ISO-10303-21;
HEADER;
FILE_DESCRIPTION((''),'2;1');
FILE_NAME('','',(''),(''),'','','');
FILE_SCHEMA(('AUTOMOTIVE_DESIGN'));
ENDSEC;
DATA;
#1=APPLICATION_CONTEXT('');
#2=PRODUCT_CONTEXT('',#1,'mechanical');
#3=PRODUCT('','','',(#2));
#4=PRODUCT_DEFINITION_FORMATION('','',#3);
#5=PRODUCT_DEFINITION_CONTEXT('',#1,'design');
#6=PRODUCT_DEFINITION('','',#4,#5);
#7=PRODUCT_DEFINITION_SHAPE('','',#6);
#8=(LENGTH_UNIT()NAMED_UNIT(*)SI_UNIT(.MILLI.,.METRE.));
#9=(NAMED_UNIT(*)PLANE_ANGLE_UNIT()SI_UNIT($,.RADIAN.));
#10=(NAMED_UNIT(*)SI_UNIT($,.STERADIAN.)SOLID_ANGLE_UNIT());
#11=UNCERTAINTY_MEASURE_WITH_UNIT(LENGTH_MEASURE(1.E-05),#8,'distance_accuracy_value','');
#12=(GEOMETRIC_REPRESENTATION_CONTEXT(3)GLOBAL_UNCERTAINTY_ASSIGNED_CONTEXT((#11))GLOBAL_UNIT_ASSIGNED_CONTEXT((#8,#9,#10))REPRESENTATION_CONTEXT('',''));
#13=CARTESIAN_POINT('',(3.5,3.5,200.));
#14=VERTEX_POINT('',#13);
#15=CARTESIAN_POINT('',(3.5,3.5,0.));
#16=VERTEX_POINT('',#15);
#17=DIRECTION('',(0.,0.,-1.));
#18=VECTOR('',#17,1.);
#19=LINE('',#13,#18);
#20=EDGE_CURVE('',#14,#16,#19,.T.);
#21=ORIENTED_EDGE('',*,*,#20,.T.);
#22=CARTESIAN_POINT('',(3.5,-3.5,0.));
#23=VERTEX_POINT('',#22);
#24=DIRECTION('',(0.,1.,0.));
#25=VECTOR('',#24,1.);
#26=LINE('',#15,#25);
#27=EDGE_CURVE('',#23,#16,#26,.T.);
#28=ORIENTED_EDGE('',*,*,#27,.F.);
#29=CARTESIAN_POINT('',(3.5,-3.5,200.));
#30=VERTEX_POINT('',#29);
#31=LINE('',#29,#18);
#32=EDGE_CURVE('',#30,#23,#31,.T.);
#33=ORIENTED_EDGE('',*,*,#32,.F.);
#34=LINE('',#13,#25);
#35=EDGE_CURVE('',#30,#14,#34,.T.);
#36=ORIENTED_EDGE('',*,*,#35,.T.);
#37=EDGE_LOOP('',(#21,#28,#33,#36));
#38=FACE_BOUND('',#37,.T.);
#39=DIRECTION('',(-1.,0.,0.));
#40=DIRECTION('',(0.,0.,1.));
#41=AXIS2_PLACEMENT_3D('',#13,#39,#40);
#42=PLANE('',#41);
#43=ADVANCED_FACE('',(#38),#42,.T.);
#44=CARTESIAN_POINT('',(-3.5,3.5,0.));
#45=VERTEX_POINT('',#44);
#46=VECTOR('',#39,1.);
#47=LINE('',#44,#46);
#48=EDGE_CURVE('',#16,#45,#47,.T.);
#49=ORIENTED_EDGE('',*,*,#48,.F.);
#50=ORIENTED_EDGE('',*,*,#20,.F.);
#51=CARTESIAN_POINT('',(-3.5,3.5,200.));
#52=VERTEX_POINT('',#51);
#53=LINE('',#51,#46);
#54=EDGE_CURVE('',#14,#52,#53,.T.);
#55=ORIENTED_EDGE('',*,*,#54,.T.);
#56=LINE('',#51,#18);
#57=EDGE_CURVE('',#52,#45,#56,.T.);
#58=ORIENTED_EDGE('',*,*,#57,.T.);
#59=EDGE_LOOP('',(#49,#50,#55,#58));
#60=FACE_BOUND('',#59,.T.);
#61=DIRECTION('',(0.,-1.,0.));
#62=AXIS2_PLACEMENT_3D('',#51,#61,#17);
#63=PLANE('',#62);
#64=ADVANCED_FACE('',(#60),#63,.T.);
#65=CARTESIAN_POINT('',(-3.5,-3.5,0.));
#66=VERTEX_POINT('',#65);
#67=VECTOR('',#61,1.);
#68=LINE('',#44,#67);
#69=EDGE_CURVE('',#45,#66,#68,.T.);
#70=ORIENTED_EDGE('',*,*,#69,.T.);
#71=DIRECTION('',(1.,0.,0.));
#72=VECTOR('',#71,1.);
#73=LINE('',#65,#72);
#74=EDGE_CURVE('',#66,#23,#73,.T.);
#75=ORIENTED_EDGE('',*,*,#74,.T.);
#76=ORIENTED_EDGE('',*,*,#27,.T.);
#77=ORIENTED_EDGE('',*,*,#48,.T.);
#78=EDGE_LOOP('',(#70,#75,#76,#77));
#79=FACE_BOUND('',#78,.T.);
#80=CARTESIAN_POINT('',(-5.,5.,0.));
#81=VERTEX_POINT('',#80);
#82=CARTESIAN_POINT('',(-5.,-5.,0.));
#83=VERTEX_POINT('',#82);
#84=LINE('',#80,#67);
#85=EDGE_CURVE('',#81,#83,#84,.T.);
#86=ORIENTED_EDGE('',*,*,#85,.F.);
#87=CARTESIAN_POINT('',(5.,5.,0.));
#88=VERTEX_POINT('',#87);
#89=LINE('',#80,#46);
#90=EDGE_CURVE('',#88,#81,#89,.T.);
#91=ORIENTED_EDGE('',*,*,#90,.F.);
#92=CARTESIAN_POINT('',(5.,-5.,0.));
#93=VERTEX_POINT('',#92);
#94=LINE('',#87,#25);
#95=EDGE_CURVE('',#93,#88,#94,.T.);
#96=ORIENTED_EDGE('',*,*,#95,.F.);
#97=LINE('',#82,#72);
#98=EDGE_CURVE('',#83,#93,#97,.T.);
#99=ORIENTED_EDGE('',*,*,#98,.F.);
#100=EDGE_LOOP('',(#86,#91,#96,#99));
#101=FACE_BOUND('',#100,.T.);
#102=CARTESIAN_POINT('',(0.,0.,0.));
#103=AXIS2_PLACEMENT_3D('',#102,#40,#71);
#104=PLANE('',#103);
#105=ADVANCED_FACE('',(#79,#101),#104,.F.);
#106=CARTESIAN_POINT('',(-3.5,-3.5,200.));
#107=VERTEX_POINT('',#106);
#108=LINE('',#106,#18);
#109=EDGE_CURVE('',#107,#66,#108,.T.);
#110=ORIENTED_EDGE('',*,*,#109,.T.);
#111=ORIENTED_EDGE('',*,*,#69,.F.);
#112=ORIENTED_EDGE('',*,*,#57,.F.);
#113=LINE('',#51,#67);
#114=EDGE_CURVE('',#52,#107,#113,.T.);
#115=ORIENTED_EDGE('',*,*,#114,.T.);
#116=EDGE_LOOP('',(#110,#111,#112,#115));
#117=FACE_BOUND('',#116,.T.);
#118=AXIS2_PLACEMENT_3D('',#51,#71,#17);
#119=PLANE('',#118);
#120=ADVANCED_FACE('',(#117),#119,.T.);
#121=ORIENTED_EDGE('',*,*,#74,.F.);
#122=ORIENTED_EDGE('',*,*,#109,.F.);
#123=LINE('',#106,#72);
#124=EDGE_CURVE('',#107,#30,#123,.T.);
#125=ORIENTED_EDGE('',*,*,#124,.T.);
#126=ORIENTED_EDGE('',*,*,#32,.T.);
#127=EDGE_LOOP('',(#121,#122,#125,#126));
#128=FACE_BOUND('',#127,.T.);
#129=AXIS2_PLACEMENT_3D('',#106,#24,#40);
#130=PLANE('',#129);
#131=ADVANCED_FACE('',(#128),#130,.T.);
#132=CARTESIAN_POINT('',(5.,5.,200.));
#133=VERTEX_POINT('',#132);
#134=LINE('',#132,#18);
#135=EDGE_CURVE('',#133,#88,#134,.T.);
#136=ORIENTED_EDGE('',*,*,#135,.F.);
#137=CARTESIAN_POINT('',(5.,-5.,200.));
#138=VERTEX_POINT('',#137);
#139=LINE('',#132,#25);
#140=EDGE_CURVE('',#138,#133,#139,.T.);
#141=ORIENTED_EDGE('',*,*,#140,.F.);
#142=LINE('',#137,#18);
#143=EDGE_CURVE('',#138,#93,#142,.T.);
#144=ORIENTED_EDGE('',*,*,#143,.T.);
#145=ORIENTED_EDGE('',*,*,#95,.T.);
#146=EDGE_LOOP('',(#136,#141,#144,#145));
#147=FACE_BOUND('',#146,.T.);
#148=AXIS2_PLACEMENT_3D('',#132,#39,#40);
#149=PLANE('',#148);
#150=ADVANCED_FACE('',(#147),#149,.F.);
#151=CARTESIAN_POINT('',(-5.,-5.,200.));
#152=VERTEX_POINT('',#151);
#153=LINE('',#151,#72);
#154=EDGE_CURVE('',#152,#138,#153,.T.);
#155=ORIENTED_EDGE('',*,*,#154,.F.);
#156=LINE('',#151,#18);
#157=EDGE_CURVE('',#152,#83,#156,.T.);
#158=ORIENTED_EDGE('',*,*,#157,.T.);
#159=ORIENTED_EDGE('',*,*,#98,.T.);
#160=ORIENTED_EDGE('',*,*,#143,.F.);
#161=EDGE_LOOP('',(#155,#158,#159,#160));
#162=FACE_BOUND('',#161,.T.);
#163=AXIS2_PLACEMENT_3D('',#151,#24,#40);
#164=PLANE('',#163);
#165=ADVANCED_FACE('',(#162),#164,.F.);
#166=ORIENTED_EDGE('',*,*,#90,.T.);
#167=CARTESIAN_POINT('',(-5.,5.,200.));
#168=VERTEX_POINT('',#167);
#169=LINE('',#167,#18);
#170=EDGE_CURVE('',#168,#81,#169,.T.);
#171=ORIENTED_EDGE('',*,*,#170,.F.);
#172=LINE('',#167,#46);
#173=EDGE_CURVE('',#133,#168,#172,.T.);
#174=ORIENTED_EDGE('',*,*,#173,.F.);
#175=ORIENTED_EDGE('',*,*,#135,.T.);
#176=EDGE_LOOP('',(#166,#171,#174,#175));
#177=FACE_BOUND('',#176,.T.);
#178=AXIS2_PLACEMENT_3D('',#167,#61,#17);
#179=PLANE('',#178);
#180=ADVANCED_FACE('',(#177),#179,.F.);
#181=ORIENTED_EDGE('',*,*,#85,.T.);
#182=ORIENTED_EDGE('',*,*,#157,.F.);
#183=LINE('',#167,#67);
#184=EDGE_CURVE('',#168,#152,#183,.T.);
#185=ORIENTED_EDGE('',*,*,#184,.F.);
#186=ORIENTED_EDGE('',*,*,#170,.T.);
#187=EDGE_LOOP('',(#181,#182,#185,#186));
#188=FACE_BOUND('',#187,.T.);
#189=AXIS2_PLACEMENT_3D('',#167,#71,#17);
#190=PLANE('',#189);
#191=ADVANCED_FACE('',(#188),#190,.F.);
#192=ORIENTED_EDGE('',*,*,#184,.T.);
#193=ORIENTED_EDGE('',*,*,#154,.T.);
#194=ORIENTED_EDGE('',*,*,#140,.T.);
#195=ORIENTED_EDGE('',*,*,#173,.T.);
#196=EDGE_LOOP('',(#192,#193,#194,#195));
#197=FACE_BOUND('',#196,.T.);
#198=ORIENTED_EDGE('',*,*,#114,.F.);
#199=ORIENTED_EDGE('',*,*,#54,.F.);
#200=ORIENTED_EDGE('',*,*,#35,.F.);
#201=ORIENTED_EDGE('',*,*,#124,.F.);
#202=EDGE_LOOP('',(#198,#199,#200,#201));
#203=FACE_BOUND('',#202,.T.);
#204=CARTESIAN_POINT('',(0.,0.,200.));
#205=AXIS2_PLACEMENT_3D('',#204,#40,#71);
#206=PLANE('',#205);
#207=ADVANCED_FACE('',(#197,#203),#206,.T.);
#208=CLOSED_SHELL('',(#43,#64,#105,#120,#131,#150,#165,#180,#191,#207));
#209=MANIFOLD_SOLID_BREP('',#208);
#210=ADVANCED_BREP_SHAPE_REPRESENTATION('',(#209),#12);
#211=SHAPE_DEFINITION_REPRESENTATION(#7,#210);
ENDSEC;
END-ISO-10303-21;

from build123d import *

# Parameters (mm, degrees)
SKETCH_1_W      = 10
SKETCH_1_H      = 10
SKETCH_1_W_2    = 7
SKETCH_1_H_2    = 7
EXTRUDE_1_DEPTH = 200


with BuildPart() as part:
    # 草图1 → 凸台-拉伸1 (new body)
    with BuildSketch(Plane.XY):
        Rectangle(SKETCH_1_W, SKETCH_1_H)
        Rectangle(SKETCH_1_W_2, SKETCH_1_H_2, mode=Mode.SUBTRACT)
    extrude(amount=EXTRUDE_1_DEPTH)


solid = part.part
